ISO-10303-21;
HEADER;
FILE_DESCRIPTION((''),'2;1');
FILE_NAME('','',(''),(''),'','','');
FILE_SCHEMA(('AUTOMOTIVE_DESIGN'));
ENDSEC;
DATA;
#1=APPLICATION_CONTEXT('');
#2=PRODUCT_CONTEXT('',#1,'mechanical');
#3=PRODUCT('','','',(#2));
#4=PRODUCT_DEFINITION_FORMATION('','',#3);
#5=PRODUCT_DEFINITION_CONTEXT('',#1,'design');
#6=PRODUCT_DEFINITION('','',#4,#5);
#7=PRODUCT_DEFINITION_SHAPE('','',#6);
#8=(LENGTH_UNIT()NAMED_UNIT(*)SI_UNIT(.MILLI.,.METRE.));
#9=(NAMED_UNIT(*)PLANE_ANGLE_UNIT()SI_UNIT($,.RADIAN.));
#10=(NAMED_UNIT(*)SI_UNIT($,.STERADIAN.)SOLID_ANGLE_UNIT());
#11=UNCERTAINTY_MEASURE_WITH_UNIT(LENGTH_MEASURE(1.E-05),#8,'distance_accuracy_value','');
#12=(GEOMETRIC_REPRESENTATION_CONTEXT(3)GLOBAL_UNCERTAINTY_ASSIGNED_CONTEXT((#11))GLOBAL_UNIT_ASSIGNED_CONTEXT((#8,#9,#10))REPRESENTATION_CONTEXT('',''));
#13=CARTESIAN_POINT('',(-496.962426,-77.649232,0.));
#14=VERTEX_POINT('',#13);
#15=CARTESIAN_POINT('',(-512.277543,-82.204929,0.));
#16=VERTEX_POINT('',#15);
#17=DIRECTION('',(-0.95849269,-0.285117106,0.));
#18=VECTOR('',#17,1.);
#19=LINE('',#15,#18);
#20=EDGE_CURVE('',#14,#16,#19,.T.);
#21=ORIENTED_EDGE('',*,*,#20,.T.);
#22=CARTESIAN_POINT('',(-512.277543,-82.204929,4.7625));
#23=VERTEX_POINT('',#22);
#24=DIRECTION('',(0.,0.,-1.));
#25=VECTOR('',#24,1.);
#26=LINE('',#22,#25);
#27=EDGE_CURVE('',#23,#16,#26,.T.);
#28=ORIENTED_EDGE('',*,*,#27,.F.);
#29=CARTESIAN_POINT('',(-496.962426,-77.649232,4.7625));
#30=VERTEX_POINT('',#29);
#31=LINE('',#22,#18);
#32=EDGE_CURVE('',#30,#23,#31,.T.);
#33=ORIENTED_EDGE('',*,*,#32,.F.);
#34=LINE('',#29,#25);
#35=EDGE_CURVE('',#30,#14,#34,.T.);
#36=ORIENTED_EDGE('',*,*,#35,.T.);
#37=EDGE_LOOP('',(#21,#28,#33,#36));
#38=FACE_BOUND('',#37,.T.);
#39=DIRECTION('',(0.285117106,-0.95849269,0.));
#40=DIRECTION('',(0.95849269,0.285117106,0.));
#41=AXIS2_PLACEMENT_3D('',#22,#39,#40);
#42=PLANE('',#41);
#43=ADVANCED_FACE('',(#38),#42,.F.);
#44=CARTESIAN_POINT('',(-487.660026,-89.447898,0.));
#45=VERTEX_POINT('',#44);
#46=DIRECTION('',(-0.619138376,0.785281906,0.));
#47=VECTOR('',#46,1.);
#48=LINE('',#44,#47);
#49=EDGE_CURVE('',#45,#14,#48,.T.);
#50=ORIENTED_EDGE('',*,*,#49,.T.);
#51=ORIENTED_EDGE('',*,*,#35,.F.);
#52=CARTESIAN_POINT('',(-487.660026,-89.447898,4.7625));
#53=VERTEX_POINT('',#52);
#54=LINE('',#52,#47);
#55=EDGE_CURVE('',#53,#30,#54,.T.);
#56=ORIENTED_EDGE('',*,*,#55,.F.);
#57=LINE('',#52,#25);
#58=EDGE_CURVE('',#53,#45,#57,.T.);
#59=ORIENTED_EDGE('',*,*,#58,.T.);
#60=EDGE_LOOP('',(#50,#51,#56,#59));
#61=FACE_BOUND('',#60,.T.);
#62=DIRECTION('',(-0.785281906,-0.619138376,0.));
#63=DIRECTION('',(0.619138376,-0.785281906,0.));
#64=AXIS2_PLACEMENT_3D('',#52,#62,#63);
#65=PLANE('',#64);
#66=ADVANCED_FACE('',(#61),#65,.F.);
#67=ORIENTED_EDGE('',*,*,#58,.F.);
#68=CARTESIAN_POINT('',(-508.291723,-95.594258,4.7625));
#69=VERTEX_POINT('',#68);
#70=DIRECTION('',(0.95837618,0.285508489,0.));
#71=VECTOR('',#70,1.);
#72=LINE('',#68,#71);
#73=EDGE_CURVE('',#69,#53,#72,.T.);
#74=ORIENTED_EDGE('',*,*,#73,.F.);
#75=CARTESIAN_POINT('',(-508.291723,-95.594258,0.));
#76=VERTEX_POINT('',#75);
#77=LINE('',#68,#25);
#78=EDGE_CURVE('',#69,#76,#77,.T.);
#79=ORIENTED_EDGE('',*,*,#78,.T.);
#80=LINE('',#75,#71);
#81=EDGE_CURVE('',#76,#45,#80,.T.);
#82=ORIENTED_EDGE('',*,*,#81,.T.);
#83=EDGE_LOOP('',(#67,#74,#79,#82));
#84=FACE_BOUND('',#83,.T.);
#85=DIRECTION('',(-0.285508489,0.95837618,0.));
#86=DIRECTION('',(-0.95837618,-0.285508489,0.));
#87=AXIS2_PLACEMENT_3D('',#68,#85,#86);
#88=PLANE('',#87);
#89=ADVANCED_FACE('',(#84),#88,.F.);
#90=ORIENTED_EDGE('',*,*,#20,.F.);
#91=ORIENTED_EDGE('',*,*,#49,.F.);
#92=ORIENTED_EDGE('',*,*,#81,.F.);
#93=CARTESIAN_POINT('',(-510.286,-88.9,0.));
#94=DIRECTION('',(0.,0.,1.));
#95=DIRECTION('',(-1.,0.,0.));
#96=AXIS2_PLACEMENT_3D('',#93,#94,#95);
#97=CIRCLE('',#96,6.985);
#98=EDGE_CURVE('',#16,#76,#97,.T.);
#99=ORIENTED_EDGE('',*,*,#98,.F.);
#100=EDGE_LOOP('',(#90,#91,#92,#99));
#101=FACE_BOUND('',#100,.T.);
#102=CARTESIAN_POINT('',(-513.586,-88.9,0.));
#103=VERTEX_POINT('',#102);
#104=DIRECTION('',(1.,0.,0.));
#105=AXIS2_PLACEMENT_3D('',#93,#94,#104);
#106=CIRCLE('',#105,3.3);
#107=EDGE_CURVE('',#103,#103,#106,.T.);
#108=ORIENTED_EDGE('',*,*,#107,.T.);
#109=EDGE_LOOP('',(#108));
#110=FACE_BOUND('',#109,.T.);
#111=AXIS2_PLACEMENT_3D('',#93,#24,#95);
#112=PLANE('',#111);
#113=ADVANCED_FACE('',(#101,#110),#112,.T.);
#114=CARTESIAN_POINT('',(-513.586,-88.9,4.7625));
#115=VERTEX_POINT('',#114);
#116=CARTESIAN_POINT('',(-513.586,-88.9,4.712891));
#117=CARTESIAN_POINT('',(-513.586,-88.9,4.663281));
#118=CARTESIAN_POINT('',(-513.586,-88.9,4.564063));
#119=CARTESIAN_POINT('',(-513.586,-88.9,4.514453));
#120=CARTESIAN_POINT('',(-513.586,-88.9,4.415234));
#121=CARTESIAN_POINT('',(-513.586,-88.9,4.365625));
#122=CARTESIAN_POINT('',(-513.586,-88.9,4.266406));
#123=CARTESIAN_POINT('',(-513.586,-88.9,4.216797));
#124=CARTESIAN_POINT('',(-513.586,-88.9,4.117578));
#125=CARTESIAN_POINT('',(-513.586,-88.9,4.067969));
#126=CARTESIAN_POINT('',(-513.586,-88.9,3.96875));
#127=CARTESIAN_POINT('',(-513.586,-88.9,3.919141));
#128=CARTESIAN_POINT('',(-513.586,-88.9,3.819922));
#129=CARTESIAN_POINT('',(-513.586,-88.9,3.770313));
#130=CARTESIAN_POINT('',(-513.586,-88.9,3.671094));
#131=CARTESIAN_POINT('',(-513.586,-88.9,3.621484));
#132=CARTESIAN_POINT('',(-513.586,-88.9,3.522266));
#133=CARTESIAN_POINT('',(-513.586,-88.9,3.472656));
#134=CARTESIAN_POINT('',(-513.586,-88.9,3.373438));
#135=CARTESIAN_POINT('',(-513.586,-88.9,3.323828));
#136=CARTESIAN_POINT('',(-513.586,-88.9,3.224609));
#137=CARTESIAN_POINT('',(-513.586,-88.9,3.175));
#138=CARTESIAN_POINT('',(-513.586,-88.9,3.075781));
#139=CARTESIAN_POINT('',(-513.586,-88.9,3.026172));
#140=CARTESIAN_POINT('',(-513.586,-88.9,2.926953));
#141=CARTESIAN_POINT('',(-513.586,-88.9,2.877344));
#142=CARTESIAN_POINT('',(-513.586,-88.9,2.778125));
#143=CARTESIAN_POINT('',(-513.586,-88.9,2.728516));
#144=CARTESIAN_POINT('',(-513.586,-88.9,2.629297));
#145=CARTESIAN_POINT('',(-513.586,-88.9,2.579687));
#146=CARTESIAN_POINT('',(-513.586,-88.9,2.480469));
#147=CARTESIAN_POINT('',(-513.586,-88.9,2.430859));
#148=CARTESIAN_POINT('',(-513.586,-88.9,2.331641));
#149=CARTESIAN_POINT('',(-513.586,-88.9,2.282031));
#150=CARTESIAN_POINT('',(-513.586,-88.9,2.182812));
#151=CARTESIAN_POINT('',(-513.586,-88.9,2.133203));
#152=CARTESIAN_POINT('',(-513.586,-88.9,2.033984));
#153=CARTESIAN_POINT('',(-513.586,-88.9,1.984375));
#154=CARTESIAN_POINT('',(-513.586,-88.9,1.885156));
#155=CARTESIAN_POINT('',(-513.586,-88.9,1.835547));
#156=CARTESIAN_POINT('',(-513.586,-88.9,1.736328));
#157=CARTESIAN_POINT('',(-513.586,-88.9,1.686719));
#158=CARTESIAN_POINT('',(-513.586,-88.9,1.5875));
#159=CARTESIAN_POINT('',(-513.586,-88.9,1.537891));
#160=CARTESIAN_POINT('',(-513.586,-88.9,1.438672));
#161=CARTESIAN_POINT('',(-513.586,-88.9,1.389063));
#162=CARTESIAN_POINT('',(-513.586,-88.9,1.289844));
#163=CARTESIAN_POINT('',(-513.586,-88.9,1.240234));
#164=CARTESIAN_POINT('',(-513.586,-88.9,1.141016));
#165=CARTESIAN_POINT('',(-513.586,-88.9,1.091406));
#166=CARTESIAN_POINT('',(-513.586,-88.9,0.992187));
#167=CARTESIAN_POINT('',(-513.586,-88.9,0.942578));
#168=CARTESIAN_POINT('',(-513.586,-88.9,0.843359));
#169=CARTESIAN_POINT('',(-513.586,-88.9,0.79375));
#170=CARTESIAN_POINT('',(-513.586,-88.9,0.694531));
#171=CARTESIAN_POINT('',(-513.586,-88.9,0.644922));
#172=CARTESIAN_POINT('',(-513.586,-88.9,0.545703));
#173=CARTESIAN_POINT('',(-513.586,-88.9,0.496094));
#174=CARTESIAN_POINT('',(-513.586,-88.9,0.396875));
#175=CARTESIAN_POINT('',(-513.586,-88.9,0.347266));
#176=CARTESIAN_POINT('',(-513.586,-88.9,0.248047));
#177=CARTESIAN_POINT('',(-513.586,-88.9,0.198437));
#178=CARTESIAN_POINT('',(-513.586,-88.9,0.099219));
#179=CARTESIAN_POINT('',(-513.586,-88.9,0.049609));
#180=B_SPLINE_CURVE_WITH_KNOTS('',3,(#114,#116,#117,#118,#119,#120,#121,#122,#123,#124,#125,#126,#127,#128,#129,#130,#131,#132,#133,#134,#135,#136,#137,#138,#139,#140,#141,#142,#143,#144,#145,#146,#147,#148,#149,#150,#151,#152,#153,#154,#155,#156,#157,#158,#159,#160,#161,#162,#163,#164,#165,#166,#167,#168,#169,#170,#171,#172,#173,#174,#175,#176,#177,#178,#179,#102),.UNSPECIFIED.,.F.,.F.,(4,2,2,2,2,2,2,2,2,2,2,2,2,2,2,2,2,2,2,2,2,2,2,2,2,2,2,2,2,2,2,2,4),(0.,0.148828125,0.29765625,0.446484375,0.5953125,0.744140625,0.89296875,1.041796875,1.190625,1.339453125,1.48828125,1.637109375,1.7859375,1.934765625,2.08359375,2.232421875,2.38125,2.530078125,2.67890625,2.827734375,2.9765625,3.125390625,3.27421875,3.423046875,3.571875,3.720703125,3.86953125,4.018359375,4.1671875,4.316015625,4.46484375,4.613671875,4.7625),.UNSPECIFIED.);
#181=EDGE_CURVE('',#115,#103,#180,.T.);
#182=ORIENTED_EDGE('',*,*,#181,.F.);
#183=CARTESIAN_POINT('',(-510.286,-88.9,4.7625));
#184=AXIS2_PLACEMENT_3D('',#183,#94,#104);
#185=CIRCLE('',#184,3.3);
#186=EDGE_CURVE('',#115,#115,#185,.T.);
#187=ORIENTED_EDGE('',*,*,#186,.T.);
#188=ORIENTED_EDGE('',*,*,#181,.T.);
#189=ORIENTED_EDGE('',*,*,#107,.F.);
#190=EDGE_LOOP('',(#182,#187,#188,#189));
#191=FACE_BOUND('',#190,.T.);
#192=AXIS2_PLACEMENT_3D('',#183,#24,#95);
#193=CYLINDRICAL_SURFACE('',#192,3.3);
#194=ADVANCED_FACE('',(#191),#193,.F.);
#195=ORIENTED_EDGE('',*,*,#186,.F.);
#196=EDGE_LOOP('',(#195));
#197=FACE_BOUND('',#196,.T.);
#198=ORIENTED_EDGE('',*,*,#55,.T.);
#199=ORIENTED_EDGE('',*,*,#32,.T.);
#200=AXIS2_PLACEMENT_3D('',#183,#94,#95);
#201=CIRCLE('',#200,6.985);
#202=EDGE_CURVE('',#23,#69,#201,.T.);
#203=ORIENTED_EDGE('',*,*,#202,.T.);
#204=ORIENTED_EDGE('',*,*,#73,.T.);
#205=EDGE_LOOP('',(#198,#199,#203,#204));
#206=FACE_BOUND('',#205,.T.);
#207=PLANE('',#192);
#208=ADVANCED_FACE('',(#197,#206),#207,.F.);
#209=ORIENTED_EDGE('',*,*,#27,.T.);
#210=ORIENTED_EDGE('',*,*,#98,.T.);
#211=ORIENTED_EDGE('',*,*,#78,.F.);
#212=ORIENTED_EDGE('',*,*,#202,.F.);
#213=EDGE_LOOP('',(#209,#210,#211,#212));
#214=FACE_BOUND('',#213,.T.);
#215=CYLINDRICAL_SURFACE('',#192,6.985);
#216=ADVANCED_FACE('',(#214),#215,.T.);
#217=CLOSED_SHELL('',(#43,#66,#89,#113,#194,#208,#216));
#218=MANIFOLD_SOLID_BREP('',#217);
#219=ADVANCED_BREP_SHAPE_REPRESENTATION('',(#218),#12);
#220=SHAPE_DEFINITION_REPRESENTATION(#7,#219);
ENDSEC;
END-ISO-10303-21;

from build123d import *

# Parameters (mm, degrees)
SKETCH1_R           = 3.3
BOSS_EXTRUDE1_DEPTH = 4.7625


with BuildPart() as part:
    # Sketch1 → Boss-Extrude1 (new body)
    with BuildSketch(Plane.XY):
        with BuildLine():
            Line((-508.291723206, -95.594257619), (-487.660025711, -89.447897876))
            Line((-487.660025711, -89.447897876), (-496.962426186, -77.649232083))
            Line((-496.962426186, -77.649232083), (-512.277542982, -82.204928563))
            ThreePointArc((-512.277542982, -82.204928563), (-516.980664668, -90.89290993), (-508.291723206, -95.594257619))
        make_face()
        with Locations(Location((-510.286, -88.9, 0), (0, 0, 180))):
            Circle(SKETCH1_R, mode=Mode.SUBTRACT)
    extrude(amount=BOSS_EXTRUDE1_DEPTH)


solid = part.part
